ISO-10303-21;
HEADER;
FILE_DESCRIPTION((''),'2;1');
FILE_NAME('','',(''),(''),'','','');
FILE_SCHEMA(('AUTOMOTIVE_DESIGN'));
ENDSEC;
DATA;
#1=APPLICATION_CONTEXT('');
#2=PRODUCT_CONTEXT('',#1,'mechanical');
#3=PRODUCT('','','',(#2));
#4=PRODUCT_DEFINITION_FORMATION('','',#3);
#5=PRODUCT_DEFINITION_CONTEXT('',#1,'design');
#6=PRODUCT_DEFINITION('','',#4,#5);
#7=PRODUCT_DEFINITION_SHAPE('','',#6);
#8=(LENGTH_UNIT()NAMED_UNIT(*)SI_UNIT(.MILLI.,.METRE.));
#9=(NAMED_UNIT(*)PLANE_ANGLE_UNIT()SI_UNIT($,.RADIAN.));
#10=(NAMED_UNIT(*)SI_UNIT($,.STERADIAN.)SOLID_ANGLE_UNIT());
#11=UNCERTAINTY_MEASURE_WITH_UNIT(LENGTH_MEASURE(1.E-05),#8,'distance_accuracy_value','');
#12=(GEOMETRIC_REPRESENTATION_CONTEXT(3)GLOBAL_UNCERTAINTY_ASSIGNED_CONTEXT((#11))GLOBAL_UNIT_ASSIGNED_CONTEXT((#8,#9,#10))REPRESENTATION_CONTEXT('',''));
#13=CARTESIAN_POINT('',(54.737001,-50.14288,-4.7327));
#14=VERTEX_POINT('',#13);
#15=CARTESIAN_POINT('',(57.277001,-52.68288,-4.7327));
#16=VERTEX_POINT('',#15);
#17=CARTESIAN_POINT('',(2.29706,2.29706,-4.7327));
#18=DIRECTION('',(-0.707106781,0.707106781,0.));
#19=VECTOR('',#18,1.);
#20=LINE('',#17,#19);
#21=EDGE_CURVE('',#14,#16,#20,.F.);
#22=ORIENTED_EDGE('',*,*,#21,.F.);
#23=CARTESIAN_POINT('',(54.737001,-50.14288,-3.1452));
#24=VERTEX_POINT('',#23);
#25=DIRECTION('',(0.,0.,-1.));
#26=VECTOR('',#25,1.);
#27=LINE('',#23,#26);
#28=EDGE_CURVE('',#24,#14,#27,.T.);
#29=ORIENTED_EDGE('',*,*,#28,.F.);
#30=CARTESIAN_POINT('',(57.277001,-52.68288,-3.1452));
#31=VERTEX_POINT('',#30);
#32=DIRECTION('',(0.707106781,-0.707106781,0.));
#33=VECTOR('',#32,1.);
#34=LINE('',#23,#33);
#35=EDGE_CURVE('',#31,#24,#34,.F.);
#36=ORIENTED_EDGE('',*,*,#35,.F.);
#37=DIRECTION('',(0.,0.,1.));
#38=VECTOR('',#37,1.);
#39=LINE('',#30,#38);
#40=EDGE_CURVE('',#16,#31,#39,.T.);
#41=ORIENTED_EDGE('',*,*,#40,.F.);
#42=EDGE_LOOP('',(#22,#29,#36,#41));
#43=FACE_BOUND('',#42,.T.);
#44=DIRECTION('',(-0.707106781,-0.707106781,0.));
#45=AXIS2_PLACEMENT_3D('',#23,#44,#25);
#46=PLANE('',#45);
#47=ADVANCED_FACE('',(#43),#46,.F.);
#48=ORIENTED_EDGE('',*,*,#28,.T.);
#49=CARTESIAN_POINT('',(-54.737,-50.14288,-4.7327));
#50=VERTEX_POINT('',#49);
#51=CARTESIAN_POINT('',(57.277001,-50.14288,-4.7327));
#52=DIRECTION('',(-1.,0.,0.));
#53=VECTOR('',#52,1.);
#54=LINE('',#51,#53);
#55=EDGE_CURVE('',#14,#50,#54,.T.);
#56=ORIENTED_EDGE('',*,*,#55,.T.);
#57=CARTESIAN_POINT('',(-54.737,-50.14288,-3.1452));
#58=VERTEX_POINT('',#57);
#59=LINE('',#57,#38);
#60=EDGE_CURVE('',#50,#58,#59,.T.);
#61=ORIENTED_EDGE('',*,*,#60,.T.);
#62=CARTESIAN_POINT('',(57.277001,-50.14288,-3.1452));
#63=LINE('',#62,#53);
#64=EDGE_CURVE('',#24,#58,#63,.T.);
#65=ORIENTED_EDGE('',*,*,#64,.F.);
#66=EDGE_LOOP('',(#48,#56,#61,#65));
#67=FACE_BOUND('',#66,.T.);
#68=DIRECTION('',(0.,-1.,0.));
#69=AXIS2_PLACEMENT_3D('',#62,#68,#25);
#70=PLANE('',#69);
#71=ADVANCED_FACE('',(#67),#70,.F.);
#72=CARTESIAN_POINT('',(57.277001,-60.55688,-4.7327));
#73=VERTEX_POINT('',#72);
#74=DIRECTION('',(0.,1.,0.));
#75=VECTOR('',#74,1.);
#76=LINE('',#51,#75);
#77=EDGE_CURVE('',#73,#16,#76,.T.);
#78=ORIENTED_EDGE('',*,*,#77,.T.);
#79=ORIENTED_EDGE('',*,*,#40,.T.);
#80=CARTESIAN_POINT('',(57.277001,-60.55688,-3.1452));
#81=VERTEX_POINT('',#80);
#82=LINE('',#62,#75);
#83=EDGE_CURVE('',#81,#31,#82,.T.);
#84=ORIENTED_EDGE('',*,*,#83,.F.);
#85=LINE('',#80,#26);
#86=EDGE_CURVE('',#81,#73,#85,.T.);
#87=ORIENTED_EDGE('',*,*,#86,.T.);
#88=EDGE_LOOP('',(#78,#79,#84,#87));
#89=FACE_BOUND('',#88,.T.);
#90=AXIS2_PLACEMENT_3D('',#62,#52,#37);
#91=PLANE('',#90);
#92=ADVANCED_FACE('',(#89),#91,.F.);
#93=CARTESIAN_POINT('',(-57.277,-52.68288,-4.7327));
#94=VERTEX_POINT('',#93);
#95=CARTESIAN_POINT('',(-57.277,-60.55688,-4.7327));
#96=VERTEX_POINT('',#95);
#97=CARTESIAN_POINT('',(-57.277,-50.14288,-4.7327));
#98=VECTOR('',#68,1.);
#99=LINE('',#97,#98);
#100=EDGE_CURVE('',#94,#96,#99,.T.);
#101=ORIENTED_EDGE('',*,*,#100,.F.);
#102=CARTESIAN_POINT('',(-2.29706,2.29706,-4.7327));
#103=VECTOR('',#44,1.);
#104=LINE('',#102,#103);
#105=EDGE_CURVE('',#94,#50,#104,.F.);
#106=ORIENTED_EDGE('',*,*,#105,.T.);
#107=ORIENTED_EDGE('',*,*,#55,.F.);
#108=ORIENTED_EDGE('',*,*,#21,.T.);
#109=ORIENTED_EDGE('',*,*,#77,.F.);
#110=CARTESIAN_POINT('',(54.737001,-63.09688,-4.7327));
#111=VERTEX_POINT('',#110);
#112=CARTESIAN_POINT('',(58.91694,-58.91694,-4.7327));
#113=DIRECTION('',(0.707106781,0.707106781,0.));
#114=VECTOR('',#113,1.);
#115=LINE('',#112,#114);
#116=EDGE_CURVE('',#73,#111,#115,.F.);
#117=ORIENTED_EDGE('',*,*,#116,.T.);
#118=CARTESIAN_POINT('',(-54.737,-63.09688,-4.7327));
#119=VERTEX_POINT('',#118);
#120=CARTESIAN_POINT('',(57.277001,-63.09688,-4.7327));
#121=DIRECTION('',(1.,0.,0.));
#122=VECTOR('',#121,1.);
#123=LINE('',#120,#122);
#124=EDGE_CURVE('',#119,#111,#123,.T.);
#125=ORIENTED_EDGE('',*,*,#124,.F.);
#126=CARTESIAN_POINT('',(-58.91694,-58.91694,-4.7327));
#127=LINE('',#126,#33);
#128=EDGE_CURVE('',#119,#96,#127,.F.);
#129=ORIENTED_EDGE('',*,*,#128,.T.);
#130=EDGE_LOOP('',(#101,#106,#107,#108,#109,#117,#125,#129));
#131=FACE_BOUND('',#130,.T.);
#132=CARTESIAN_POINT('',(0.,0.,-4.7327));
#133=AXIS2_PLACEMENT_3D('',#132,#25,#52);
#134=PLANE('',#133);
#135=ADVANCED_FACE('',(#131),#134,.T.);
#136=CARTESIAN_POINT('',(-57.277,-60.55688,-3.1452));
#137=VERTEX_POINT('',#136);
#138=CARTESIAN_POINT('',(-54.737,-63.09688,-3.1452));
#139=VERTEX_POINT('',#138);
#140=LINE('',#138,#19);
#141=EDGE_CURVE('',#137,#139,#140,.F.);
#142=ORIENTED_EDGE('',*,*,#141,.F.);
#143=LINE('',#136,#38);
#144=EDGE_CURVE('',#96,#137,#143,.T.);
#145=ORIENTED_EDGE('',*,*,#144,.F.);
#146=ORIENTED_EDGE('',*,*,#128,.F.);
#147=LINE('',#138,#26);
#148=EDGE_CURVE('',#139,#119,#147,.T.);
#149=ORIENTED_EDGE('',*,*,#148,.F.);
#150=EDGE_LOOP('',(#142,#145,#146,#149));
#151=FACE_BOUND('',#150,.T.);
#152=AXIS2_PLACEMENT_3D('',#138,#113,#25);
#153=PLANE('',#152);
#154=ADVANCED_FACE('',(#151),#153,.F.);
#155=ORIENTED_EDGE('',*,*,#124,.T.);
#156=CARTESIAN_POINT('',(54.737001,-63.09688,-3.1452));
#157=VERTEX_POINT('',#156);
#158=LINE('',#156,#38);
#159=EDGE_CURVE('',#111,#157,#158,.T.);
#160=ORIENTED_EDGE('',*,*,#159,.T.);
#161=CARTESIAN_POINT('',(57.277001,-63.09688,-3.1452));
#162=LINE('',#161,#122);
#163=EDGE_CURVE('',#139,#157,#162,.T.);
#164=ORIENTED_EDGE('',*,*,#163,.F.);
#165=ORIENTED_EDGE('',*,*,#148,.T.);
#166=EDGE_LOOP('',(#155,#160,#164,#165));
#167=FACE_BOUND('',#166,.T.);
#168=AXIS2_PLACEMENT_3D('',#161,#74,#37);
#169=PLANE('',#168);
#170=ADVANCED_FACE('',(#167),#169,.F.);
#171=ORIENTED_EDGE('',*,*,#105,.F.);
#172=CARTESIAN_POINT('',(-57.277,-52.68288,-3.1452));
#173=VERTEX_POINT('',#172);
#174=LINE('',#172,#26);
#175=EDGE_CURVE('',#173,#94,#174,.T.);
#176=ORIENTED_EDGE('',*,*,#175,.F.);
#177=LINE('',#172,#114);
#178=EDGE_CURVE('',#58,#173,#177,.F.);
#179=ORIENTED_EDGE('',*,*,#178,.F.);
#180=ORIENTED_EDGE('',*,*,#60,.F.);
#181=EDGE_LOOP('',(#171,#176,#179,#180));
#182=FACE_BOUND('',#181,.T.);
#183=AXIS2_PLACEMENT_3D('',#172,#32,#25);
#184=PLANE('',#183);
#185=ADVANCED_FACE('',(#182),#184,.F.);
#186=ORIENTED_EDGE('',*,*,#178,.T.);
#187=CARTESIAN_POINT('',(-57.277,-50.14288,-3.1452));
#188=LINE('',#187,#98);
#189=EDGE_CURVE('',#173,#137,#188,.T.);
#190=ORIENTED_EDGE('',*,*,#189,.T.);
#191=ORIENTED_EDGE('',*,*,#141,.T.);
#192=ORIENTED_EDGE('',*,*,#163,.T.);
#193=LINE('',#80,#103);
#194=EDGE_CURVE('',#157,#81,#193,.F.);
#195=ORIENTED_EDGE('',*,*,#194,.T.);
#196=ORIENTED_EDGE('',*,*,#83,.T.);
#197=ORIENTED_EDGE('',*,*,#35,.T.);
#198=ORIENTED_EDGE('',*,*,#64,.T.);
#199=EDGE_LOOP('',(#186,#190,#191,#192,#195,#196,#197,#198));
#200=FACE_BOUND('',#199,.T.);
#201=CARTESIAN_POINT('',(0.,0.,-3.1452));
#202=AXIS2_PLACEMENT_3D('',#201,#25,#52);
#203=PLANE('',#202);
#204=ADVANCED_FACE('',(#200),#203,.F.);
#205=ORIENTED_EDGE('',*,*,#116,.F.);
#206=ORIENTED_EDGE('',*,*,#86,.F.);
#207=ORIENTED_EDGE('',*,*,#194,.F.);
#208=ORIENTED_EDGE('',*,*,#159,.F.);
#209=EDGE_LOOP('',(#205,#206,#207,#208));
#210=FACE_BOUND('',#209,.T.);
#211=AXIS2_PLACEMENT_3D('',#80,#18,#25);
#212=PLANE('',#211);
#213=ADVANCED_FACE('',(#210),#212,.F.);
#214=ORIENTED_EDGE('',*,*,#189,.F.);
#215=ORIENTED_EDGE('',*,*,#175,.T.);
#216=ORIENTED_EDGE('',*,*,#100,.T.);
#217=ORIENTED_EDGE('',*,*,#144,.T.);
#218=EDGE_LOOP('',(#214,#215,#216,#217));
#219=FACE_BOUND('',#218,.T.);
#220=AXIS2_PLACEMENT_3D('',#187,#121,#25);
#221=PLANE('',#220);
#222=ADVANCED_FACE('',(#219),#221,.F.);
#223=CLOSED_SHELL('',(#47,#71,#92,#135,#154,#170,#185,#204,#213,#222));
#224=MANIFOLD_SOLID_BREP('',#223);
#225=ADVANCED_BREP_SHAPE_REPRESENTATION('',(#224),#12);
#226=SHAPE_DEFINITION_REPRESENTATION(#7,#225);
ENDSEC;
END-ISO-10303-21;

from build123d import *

# Parameters (mm, degrees)
SKETCH2_W           = 114.554000508
SKETCH2_H           = 12.954
BOSS_EXTRUDE1_DEPTH = 1.5875
CHAMFER1_SIZE       = 2.54


with BuildPart() as part:
    # Sketch2 → Boss-Extrude1 (new body)
    with BuildSketch(Plane.XY.offset(-4.7327)):
        with Locations((2.54e-07, -56.6198797)):
            Rectangle(SKETCH2_W, SKETCH2_H)
    extrude(amount=BOSS_EXTRUDE1_DEPTH)

    # Chamfer1
    chamfer1_edges = [part.edges().sort_by_distance(p)[0] for p in [
        (-57.277, -50.1428797, -3.93895),
        (57.277000508, -50.1428797, -3.93895),
        (57.277000508, -63.0968797, -3.93895),
        (-57.277, -63.0968797, -3.93895),
    ]]
    chamfer(chamfer1_edges, length=CHAMFER1_SIZE)


solid = part.part
